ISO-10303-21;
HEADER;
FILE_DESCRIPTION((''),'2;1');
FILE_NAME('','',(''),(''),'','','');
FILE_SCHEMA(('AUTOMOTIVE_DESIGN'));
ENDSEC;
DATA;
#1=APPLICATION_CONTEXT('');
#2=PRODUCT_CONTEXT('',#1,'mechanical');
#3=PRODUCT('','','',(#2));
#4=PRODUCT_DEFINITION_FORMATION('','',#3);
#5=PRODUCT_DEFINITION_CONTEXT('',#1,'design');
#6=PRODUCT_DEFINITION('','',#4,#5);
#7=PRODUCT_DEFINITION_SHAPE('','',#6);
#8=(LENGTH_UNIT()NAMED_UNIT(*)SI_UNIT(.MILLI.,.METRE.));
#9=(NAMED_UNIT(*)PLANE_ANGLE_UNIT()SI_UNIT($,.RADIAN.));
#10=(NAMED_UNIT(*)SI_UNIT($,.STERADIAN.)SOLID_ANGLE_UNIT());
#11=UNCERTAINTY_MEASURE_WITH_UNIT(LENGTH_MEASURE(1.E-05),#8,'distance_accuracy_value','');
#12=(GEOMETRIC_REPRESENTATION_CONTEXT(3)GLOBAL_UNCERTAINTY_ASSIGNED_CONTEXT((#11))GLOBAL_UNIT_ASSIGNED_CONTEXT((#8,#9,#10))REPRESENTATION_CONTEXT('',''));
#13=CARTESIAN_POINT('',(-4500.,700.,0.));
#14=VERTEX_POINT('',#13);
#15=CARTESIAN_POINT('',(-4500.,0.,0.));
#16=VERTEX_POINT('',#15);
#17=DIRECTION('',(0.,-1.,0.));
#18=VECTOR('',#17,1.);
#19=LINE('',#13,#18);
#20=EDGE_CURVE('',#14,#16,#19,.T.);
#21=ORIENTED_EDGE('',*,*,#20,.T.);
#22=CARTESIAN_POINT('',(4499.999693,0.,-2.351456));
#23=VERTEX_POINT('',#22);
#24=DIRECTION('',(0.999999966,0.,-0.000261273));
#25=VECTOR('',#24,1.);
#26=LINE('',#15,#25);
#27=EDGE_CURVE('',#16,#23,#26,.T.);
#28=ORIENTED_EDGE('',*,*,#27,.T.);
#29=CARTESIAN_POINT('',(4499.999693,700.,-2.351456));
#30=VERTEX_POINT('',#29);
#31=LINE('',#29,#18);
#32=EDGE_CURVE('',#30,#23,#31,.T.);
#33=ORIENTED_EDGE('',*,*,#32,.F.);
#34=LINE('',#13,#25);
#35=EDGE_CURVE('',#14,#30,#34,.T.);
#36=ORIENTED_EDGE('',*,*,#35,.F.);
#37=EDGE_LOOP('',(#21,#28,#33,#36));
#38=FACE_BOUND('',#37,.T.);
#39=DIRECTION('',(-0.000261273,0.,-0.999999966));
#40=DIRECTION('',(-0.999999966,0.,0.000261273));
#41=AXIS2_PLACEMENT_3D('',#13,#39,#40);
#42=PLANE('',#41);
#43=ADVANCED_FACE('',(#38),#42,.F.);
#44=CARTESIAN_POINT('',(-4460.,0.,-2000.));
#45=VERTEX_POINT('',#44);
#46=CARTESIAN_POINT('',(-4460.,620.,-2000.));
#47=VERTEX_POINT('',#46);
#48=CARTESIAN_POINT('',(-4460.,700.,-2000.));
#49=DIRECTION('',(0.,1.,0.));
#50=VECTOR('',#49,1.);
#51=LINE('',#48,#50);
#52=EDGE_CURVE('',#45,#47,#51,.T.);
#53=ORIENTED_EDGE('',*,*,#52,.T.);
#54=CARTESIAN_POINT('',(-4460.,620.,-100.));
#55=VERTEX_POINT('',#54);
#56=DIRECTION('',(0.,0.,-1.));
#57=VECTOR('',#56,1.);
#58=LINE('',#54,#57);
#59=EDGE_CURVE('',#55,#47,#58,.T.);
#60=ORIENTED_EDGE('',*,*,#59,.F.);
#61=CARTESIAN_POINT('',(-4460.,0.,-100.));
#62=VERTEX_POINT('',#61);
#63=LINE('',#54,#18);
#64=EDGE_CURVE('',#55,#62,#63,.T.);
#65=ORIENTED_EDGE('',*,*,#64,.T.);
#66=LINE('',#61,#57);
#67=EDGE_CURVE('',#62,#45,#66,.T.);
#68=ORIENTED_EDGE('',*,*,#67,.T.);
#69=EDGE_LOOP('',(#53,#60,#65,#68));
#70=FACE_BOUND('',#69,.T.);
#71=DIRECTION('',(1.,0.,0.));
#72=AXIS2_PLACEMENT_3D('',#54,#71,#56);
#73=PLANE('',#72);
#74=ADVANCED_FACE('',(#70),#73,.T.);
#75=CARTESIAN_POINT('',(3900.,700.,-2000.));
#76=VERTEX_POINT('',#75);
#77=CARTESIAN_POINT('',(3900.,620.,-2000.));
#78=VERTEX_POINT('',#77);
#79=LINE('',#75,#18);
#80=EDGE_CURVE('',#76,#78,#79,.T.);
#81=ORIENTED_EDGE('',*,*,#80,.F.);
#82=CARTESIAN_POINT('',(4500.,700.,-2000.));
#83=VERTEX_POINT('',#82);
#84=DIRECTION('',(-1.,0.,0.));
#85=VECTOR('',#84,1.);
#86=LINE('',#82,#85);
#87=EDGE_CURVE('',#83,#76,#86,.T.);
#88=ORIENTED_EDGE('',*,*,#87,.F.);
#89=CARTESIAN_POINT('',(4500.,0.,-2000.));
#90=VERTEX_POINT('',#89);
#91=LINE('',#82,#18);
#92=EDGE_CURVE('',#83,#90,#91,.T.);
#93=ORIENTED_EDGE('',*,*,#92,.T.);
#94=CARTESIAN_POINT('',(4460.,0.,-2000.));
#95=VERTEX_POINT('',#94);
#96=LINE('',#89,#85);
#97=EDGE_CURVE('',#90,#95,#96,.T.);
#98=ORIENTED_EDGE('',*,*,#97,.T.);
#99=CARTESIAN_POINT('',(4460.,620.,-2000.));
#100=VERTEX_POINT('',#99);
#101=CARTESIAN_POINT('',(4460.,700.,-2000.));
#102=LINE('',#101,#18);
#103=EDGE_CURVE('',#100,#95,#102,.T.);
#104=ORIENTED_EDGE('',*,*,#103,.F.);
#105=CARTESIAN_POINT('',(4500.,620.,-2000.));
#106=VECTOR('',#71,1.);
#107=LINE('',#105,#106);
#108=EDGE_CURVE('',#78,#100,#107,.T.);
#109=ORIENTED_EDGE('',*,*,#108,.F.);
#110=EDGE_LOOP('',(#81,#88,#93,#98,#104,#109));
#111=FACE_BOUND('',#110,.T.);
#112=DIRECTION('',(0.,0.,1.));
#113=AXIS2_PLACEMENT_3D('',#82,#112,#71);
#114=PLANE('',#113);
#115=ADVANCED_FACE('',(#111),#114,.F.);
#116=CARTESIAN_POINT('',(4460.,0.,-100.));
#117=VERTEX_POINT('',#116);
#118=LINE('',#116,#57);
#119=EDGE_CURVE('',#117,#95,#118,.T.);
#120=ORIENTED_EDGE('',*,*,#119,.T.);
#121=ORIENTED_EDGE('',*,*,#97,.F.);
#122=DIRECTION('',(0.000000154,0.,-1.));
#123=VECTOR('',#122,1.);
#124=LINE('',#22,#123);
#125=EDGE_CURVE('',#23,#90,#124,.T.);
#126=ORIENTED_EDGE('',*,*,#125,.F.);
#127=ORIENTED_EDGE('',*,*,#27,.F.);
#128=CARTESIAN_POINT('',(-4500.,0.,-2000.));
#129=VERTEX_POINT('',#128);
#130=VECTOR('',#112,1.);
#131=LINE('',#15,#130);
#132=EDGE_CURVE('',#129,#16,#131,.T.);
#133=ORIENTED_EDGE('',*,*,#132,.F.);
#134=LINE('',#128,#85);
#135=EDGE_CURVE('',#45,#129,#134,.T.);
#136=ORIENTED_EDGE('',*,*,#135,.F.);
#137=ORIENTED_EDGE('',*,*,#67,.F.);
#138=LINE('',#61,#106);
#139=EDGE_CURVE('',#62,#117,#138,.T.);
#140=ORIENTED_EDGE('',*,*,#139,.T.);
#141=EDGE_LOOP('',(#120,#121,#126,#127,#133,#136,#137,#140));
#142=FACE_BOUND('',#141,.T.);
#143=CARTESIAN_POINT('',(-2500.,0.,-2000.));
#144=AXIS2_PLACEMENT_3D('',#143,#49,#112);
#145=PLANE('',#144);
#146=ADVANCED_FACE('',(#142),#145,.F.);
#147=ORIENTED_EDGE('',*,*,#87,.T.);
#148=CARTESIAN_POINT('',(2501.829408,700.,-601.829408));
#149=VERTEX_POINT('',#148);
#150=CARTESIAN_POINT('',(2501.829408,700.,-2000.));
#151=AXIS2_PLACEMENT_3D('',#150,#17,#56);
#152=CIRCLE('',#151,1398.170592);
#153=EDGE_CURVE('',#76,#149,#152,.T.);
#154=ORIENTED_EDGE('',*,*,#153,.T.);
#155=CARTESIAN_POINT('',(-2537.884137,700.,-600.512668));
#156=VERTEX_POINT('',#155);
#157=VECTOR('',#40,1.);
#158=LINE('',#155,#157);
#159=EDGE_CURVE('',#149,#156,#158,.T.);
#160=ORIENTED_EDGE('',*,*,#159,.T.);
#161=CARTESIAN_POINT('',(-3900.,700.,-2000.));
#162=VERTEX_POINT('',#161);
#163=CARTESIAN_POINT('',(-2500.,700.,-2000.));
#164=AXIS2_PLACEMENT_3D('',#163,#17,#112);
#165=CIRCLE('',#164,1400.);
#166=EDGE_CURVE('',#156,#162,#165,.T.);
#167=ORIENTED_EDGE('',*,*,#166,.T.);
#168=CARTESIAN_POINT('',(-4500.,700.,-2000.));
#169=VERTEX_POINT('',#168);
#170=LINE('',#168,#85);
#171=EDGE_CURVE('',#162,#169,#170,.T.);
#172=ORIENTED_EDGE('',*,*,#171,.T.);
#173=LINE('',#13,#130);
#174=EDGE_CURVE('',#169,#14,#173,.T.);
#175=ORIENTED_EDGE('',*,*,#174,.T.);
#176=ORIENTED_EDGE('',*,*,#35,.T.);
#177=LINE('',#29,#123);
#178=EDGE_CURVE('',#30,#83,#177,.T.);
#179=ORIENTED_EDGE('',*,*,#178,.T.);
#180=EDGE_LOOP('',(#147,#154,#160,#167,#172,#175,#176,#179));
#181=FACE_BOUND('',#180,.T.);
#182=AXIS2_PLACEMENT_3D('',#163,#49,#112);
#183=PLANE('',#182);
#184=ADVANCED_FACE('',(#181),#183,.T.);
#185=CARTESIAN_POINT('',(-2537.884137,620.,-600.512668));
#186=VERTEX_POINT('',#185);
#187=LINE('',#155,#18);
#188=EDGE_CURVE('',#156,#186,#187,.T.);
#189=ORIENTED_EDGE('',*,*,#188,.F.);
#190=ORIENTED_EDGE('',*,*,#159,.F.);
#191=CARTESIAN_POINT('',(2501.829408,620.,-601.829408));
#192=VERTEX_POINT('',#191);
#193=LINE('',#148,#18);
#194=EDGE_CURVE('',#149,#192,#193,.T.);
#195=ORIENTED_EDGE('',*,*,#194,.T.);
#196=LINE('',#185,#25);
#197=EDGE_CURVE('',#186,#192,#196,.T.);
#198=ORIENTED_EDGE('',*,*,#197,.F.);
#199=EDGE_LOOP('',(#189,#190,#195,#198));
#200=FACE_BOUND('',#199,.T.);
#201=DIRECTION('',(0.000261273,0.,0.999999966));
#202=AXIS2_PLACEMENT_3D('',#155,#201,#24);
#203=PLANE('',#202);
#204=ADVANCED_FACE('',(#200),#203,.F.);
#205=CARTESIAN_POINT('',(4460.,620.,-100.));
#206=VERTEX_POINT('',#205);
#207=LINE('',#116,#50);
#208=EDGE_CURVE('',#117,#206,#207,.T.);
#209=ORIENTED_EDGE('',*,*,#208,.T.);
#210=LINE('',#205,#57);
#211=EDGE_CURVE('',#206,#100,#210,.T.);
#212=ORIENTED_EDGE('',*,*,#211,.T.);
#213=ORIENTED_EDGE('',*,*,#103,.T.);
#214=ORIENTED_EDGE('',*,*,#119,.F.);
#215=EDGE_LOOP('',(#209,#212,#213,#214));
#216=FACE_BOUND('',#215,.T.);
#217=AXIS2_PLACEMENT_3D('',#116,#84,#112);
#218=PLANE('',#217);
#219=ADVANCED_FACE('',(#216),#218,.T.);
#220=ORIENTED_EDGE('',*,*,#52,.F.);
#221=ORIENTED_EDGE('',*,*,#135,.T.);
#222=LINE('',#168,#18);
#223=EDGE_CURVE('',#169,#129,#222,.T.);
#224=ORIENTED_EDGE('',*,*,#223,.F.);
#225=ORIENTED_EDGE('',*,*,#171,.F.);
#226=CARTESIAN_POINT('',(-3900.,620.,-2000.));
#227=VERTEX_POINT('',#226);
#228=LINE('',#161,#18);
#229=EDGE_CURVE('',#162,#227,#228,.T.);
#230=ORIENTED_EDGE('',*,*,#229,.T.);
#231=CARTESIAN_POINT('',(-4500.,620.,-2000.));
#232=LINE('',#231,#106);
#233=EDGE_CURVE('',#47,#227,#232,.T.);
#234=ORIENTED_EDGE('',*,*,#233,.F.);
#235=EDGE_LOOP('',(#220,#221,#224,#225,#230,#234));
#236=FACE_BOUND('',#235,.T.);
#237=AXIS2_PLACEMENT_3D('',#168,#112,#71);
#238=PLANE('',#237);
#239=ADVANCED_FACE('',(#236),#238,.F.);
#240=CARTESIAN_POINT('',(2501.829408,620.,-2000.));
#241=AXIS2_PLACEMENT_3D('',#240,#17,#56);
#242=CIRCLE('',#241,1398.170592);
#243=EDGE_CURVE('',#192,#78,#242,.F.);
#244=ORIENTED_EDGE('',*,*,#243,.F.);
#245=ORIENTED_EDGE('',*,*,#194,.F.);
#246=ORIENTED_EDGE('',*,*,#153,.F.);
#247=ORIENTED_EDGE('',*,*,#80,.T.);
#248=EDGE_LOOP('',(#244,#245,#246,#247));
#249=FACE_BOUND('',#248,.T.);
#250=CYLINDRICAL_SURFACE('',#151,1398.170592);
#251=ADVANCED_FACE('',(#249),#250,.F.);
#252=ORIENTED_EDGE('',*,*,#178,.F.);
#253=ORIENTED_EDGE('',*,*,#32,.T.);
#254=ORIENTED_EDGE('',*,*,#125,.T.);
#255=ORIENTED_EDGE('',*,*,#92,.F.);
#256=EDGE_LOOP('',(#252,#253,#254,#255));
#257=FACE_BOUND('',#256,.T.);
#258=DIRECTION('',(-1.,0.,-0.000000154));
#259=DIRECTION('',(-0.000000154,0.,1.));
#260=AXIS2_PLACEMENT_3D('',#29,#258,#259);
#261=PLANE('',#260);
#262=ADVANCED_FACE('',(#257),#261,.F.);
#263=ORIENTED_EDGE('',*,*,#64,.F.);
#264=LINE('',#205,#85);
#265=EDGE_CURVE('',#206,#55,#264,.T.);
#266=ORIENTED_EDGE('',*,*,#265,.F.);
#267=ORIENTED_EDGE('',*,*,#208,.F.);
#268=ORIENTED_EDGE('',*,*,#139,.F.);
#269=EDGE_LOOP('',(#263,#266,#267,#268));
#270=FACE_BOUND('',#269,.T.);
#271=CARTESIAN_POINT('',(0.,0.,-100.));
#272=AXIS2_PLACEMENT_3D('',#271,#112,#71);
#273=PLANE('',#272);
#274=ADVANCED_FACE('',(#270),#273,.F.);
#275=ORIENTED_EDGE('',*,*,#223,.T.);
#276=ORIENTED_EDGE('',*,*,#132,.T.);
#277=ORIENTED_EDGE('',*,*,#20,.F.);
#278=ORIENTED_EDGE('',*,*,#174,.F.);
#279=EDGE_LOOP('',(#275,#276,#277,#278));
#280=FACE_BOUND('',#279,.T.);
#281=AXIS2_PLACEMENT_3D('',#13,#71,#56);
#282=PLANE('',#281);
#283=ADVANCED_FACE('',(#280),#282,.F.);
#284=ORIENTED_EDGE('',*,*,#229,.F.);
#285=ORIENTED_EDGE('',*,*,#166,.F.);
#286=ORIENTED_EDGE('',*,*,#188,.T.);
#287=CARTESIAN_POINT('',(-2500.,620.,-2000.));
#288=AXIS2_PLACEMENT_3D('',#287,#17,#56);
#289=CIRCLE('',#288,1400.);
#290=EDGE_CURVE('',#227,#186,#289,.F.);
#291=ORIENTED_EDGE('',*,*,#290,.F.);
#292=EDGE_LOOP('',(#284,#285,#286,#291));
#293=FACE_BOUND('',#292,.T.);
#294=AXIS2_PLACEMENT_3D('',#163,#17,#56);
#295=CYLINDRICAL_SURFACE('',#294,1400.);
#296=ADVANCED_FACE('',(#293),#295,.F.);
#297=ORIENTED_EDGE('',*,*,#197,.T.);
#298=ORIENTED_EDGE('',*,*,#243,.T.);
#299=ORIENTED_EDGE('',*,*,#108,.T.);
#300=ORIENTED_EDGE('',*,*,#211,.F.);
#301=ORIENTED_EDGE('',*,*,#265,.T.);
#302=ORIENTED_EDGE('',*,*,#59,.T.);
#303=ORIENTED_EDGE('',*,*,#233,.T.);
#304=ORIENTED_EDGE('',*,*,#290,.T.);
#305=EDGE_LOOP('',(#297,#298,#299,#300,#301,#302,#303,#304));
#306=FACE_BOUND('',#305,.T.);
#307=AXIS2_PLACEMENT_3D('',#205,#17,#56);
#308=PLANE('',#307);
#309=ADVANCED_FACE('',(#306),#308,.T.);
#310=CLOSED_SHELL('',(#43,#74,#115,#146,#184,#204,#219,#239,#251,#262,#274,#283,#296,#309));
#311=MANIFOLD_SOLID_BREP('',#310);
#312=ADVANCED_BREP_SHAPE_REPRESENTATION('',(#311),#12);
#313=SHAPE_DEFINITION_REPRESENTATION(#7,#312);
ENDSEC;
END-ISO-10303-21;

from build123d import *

# Parameters (mm, degrees)
BOSS_EXTRUDE1_DEPTH = 700
SKETCH6_W           = 8920
SKETCH6_H           = 620
CUT_EXTRUDE1_DEPTH  = 2400


with BuildPart() as part:
    # Sketch1 → Boss-Extrude1 (new body)
    with BuildSketch(Plane(origin=(0, 0, 0), x_dir=(1, 0, 0), z_dir=(0, 1, 0))):
        with BuildLine():
            Line((-4500, 0), (4499.999692814, 2.35145561))
            Line((4499.999692814, 2.35145561), (4500, 2000))
            Line((4500, 2000), (3900, 2000))
            ThreePointArc((3900, 2000), (3490.485314986, 1011.344093449), (2501.829408435, 601.829408435))
            Line((2501.829408435, 601.829408435), (-2537.88413688, 600.512668091))
            ThreePointArc((-2537.88413688, 600.512668091), (-3503.254153152, 1023.536429669), (-3900, 2000))
            Line((-3900, 2000), (-4500, 2000))
            Line((-4500, 2000), (-4500, 0))
        make_face()
    extrude(amount=BOSS_EXTRUDE1_DEPTH)

    # Sketch6 → Cut-Extrude1 (cut)
    with BuildSketch(Plane.XY.offset(-2500)):
        with Locations((0, 310)):
            Rectangle(SKETCH6_W, SKETCH6_H)
    extrude(amount=CUT_EXTRUDE1_DEPTH, mode=Mode.SUBTRACT)


solid = part.part
